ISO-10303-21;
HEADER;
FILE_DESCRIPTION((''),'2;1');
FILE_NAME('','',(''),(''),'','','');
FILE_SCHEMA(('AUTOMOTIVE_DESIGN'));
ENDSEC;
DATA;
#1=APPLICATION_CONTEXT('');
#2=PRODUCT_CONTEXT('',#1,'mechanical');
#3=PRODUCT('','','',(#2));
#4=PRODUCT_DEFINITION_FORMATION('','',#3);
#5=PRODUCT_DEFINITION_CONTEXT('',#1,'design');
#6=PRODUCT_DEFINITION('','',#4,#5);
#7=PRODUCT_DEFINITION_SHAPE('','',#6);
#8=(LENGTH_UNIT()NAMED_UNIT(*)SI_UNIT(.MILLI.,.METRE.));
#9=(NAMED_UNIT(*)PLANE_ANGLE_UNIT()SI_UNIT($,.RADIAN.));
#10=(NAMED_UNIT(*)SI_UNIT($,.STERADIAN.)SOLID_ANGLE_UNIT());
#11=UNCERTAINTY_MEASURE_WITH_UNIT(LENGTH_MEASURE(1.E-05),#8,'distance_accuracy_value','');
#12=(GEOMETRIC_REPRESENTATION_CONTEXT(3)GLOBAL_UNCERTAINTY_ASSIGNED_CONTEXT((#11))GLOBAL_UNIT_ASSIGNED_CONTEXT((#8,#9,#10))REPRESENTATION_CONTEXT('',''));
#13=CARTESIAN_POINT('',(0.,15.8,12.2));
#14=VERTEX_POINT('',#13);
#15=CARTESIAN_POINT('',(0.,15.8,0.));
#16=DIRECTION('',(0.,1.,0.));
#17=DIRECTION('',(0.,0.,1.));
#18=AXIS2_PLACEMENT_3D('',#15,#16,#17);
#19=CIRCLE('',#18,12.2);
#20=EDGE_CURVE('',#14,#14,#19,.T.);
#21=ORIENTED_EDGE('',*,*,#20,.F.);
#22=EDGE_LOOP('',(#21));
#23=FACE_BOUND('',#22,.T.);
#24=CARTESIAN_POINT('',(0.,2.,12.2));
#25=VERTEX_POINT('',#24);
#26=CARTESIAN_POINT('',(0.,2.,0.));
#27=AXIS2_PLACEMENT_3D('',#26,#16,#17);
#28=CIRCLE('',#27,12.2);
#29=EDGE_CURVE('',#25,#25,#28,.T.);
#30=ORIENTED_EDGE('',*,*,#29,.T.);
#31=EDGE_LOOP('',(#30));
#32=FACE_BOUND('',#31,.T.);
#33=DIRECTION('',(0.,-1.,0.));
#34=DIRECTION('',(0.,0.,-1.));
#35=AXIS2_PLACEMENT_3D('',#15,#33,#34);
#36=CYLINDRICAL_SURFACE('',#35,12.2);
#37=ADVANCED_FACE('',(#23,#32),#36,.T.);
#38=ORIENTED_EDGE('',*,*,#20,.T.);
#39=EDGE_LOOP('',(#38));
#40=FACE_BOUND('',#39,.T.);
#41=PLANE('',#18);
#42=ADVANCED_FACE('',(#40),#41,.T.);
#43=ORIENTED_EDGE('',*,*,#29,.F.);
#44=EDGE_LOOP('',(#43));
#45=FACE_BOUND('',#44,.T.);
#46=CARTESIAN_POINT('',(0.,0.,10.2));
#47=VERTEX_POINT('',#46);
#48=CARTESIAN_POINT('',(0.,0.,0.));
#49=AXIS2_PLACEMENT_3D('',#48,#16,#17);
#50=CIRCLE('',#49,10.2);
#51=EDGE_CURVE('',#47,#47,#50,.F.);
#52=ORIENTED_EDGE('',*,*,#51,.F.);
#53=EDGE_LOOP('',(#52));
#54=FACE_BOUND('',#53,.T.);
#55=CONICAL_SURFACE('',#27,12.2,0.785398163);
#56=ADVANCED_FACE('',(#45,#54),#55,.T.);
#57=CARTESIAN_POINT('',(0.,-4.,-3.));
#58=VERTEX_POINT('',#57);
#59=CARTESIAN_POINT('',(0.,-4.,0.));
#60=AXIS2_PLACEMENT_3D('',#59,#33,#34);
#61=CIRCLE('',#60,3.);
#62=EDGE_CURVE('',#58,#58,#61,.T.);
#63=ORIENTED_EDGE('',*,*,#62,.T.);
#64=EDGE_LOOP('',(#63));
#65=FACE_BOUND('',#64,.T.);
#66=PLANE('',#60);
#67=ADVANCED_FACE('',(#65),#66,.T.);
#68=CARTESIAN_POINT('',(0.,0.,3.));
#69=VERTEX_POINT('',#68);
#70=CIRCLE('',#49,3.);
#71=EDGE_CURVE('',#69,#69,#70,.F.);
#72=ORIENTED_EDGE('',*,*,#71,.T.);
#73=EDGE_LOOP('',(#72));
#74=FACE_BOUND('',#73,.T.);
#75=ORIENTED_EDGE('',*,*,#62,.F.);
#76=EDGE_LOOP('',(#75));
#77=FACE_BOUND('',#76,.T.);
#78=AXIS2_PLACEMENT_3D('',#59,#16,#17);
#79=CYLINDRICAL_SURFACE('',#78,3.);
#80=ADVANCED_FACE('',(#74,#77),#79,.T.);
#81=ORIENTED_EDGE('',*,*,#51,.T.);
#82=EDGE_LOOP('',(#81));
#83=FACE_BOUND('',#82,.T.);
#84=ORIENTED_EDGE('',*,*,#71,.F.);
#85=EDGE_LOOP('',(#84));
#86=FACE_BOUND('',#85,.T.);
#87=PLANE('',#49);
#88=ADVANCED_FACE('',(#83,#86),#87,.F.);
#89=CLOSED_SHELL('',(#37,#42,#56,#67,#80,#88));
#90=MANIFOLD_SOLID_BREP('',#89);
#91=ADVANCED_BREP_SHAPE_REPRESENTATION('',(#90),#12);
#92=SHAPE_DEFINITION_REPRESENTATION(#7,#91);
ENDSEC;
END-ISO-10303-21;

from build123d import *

# Parameters (mm, degrees)
SKETCH_1_R      = 12.2
EXTRUDE_1_DEPTH = 15.8
CHAMFER_1_SIZE  = 2
SKETCH_2_R      = 3
EXTRUDE_2_DEPTH = 4


with BuildPart() as part:
    # 草图1 → 凸台-拉伸1 (new body)
    with BuildSketch(Plane(origin=(0, 0, 0), x_dir=(1, 0, 0), z_dir=(0, 1, 0))):
        with Locations(Location((0, 0, 0), (0, 0, 270))):
            Circle(SKETCH_1_R)
    extrude(amount=EXTRUDE_1_DEPTH)

    # 倒角1
    chamfer_1_edges = [part.edges().sort_by_distance(p)[0] for p in [
        (0, 0, -12.2),
    ]]
    chamfer(chamfer_1_edges, length=CHAMFER_1_SIZE)

    # 草图2 → 凸台-拉伸2 (add)
    with BuildSketch(Plane.XZ):
        with Locations(Location((0, 0, 0), (0, 0, 90))):
            Circle(SKETCH_2_R)
    extrude(amount=EXTRUDE_2_DEPTH)


solid = part.part
